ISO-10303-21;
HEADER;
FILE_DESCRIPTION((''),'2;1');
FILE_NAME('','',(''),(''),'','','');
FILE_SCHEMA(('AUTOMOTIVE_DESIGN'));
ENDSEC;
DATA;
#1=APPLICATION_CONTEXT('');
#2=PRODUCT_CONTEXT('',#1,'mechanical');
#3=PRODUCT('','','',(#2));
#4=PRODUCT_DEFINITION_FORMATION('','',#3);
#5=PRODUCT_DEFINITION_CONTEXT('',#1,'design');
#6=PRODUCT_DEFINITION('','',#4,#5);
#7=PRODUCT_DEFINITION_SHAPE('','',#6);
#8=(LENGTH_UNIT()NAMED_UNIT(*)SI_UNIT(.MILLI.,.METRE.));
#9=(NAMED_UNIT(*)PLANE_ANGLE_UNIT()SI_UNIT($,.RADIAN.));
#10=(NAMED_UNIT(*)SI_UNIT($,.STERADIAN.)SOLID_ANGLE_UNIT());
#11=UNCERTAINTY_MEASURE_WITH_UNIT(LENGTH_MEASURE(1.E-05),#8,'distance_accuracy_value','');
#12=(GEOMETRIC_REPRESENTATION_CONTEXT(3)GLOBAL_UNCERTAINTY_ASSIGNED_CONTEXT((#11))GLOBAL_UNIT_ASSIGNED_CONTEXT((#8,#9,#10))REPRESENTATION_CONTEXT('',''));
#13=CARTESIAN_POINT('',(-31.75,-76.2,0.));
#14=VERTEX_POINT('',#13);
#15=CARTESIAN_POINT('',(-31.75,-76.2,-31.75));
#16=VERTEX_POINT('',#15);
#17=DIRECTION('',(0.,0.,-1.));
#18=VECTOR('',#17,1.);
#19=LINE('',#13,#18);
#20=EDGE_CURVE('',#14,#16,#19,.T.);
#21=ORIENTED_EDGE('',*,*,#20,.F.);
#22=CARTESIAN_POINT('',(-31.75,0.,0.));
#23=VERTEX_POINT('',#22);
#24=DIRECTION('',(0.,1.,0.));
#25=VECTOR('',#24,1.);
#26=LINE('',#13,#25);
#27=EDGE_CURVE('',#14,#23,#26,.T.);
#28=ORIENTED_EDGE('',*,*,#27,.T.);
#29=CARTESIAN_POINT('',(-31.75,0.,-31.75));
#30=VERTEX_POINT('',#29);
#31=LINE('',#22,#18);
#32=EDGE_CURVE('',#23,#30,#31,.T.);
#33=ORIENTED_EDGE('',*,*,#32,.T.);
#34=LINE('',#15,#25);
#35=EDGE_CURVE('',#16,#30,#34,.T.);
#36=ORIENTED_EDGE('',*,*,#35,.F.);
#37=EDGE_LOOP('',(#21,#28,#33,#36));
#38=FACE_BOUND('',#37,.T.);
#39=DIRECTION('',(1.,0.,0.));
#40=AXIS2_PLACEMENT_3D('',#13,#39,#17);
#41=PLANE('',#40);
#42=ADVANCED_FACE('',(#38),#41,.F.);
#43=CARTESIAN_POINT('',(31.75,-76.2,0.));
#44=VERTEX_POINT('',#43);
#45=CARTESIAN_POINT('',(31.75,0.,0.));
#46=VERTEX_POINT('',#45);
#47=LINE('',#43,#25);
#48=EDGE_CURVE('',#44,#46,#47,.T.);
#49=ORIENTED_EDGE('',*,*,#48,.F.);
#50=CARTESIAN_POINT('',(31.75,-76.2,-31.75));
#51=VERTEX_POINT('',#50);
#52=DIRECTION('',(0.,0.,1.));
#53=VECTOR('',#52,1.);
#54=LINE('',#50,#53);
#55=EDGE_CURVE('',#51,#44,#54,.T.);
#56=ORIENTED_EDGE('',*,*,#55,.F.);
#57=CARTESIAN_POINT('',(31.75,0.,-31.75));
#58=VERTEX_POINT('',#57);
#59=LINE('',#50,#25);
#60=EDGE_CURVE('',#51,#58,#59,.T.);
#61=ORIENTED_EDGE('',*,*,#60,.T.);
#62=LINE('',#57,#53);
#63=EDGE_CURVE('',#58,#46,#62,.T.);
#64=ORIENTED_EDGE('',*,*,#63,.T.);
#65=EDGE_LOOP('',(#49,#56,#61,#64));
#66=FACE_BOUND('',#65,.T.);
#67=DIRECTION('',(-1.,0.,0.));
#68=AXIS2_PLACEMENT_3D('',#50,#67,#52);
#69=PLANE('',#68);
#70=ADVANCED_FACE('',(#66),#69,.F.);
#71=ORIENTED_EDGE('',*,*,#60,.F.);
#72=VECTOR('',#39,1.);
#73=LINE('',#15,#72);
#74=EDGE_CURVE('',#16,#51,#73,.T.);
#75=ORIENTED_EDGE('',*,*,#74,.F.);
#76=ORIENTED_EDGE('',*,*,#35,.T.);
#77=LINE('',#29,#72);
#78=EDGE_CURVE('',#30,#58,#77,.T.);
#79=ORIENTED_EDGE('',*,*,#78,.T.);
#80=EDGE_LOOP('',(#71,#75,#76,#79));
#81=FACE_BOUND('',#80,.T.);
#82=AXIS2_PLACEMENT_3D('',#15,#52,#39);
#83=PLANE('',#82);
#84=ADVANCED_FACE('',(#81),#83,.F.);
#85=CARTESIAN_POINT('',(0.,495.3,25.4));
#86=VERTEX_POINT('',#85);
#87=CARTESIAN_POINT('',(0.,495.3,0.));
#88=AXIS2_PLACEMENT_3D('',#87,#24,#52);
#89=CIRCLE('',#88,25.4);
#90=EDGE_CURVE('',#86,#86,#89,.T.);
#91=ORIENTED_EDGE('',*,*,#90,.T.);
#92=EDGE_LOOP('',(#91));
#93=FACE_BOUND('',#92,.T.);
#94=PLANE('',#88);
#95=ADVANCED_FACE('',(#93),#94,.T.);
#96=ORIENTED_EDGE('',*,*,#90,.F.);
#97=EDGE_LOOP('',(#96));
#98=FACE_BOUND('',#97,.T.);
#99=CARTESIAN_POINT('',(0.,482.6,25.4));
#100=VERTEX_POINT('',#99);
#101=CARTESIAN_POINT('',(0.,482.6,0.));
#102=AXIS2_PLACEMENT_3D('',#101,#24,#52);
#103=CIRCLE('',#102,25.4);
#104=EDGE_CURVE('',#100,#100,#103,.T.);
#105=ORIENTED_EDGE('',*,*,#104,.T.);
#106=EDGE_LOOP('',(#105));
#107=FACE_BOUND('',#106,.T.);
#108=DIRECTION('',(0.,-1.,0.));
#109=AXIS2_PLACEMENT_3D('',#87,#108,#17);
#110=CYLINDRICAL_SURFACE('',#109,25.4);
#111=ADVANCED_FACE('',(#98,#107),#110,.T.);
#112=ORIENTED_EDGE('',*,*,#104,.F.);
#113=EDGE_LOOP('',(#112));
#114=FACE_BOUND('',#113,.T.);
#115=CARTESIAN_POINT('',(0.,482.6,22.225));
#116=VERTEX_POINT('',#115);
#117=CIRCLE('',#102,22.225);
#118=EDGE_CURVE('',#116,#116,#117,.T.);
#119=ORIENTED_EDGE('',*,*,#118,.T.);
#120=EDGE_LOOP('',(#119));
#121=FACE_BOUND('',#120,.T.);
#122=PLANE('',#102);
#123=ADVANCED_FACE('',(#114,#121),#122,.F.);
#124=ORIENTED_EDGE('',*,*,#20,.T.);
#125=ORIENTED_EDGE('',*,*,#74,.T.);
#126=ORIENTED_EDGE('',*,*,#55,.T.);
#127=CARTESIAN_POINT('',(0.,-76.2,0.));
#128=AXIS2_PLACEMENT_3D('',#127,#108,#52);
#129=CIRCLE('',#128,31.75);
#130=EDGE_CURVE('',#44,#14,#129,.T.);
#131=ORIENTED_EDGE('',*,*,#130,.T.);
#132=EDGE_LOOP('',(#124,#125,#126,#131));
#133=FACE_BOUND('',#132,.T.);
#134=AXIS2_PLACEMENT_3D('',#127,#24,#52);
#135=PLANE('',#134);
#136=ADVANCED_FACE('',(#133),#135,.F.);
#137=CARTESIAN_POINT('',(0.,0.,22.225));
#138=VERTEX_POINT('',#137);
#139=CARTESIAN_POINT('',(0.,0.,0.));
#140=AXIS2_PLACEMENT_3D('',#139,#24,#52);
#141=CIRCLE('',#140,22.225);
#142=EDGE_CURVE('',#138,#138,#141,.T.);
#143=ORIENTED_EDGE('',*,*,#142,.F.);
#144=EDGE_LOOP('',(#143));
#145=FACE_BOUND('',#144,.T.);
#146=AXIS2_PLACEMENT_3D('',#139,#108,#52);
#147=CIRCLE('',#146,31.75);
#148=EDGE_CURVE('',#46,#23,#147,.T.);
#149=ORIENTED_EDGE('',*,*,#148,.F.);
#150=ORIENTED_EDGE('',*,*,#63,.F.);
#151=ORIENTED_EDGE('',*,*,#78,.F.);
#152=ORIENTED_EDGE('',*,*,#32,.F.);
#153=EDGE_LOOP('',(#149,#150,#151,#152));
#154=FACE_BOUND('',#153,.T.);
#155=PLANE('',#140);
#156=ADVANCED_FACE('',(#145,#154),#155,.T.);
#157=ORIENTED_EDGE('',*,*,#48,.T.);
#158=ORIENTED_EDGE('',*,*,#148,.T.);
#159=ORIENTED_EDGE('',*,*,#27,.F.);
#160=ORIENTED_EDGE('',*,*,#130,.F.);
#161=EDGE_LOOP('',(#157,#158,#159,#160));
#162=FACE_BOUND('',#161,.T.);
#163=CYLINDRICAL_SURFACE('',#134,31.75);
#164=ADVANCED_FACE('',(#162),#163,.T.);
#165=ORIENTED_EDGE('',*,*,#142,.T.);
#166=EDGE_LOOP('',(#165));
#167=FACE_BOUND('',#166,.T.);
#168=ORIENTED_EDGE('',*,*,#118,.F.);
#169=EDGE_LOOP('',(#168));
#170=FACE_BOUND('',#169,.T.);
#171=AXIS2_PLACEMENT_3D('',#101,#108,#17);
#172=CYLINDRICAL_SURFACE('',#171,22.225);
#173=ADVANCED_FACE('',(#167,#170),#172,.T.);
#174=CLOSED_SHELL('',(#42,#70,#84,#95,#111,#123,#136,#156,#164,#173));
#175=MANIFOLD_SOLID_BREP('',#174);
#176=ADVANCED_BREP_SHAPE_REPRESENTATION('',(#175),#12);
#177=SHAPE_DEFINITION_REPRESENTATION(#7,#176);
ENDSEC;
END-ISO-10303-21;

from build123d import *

# Parameters (mm, degrees)
SKETCH1_R           = 22.225
BOSS_EXTRUDE1_DEPTH = 482.6
SKETCH2_R           = 25.4
BOSS_EXTRUDE2_DEPTH = 12.7
BOSS_EXTRUDE3_DEPTH = 76.2


with BuildPart() as part:
    # Sketch1 → Boss-Extrude1 (new body)
    with BuildSketch(Plane(origin=(0, 0, 0), x_dir=(1, 0, 0), z_dir=(0, 1, 0))):
        Circle(SKETCH1_R)
    extrude(amount=BOSS_EXTRUDE1_DEPTH)

    # Sketch2 → Boss-Extrude2 (add)
    with BuildSketch(Plane(origin=(0, 482.6, 0), x_dir=(1, 0, 0), z_dir=(0, 1, 0))):
        Circle(SKETCH2_R)
    extrude(amount=BOSS_EXTRUDE2_DEPTH)

    # Sketch3 → Boss-Extrude3 (add)
    with BuildSketch(Plane.XZ):
        with BuildLine():
            Line((-31.75, 0), (-31.75, -31.75))
            Line((-31.75, -31.75), (31.75, -31.75))
            Line((31.75, -31.75), (31.75, 0))
            ThreePointArc((31.75, 0), (0, 31.75), (-31.75, 0))
        make_face()
    extrude(amount=BOSS_EXTRUDE3_DEPTH)


solid = part.part
